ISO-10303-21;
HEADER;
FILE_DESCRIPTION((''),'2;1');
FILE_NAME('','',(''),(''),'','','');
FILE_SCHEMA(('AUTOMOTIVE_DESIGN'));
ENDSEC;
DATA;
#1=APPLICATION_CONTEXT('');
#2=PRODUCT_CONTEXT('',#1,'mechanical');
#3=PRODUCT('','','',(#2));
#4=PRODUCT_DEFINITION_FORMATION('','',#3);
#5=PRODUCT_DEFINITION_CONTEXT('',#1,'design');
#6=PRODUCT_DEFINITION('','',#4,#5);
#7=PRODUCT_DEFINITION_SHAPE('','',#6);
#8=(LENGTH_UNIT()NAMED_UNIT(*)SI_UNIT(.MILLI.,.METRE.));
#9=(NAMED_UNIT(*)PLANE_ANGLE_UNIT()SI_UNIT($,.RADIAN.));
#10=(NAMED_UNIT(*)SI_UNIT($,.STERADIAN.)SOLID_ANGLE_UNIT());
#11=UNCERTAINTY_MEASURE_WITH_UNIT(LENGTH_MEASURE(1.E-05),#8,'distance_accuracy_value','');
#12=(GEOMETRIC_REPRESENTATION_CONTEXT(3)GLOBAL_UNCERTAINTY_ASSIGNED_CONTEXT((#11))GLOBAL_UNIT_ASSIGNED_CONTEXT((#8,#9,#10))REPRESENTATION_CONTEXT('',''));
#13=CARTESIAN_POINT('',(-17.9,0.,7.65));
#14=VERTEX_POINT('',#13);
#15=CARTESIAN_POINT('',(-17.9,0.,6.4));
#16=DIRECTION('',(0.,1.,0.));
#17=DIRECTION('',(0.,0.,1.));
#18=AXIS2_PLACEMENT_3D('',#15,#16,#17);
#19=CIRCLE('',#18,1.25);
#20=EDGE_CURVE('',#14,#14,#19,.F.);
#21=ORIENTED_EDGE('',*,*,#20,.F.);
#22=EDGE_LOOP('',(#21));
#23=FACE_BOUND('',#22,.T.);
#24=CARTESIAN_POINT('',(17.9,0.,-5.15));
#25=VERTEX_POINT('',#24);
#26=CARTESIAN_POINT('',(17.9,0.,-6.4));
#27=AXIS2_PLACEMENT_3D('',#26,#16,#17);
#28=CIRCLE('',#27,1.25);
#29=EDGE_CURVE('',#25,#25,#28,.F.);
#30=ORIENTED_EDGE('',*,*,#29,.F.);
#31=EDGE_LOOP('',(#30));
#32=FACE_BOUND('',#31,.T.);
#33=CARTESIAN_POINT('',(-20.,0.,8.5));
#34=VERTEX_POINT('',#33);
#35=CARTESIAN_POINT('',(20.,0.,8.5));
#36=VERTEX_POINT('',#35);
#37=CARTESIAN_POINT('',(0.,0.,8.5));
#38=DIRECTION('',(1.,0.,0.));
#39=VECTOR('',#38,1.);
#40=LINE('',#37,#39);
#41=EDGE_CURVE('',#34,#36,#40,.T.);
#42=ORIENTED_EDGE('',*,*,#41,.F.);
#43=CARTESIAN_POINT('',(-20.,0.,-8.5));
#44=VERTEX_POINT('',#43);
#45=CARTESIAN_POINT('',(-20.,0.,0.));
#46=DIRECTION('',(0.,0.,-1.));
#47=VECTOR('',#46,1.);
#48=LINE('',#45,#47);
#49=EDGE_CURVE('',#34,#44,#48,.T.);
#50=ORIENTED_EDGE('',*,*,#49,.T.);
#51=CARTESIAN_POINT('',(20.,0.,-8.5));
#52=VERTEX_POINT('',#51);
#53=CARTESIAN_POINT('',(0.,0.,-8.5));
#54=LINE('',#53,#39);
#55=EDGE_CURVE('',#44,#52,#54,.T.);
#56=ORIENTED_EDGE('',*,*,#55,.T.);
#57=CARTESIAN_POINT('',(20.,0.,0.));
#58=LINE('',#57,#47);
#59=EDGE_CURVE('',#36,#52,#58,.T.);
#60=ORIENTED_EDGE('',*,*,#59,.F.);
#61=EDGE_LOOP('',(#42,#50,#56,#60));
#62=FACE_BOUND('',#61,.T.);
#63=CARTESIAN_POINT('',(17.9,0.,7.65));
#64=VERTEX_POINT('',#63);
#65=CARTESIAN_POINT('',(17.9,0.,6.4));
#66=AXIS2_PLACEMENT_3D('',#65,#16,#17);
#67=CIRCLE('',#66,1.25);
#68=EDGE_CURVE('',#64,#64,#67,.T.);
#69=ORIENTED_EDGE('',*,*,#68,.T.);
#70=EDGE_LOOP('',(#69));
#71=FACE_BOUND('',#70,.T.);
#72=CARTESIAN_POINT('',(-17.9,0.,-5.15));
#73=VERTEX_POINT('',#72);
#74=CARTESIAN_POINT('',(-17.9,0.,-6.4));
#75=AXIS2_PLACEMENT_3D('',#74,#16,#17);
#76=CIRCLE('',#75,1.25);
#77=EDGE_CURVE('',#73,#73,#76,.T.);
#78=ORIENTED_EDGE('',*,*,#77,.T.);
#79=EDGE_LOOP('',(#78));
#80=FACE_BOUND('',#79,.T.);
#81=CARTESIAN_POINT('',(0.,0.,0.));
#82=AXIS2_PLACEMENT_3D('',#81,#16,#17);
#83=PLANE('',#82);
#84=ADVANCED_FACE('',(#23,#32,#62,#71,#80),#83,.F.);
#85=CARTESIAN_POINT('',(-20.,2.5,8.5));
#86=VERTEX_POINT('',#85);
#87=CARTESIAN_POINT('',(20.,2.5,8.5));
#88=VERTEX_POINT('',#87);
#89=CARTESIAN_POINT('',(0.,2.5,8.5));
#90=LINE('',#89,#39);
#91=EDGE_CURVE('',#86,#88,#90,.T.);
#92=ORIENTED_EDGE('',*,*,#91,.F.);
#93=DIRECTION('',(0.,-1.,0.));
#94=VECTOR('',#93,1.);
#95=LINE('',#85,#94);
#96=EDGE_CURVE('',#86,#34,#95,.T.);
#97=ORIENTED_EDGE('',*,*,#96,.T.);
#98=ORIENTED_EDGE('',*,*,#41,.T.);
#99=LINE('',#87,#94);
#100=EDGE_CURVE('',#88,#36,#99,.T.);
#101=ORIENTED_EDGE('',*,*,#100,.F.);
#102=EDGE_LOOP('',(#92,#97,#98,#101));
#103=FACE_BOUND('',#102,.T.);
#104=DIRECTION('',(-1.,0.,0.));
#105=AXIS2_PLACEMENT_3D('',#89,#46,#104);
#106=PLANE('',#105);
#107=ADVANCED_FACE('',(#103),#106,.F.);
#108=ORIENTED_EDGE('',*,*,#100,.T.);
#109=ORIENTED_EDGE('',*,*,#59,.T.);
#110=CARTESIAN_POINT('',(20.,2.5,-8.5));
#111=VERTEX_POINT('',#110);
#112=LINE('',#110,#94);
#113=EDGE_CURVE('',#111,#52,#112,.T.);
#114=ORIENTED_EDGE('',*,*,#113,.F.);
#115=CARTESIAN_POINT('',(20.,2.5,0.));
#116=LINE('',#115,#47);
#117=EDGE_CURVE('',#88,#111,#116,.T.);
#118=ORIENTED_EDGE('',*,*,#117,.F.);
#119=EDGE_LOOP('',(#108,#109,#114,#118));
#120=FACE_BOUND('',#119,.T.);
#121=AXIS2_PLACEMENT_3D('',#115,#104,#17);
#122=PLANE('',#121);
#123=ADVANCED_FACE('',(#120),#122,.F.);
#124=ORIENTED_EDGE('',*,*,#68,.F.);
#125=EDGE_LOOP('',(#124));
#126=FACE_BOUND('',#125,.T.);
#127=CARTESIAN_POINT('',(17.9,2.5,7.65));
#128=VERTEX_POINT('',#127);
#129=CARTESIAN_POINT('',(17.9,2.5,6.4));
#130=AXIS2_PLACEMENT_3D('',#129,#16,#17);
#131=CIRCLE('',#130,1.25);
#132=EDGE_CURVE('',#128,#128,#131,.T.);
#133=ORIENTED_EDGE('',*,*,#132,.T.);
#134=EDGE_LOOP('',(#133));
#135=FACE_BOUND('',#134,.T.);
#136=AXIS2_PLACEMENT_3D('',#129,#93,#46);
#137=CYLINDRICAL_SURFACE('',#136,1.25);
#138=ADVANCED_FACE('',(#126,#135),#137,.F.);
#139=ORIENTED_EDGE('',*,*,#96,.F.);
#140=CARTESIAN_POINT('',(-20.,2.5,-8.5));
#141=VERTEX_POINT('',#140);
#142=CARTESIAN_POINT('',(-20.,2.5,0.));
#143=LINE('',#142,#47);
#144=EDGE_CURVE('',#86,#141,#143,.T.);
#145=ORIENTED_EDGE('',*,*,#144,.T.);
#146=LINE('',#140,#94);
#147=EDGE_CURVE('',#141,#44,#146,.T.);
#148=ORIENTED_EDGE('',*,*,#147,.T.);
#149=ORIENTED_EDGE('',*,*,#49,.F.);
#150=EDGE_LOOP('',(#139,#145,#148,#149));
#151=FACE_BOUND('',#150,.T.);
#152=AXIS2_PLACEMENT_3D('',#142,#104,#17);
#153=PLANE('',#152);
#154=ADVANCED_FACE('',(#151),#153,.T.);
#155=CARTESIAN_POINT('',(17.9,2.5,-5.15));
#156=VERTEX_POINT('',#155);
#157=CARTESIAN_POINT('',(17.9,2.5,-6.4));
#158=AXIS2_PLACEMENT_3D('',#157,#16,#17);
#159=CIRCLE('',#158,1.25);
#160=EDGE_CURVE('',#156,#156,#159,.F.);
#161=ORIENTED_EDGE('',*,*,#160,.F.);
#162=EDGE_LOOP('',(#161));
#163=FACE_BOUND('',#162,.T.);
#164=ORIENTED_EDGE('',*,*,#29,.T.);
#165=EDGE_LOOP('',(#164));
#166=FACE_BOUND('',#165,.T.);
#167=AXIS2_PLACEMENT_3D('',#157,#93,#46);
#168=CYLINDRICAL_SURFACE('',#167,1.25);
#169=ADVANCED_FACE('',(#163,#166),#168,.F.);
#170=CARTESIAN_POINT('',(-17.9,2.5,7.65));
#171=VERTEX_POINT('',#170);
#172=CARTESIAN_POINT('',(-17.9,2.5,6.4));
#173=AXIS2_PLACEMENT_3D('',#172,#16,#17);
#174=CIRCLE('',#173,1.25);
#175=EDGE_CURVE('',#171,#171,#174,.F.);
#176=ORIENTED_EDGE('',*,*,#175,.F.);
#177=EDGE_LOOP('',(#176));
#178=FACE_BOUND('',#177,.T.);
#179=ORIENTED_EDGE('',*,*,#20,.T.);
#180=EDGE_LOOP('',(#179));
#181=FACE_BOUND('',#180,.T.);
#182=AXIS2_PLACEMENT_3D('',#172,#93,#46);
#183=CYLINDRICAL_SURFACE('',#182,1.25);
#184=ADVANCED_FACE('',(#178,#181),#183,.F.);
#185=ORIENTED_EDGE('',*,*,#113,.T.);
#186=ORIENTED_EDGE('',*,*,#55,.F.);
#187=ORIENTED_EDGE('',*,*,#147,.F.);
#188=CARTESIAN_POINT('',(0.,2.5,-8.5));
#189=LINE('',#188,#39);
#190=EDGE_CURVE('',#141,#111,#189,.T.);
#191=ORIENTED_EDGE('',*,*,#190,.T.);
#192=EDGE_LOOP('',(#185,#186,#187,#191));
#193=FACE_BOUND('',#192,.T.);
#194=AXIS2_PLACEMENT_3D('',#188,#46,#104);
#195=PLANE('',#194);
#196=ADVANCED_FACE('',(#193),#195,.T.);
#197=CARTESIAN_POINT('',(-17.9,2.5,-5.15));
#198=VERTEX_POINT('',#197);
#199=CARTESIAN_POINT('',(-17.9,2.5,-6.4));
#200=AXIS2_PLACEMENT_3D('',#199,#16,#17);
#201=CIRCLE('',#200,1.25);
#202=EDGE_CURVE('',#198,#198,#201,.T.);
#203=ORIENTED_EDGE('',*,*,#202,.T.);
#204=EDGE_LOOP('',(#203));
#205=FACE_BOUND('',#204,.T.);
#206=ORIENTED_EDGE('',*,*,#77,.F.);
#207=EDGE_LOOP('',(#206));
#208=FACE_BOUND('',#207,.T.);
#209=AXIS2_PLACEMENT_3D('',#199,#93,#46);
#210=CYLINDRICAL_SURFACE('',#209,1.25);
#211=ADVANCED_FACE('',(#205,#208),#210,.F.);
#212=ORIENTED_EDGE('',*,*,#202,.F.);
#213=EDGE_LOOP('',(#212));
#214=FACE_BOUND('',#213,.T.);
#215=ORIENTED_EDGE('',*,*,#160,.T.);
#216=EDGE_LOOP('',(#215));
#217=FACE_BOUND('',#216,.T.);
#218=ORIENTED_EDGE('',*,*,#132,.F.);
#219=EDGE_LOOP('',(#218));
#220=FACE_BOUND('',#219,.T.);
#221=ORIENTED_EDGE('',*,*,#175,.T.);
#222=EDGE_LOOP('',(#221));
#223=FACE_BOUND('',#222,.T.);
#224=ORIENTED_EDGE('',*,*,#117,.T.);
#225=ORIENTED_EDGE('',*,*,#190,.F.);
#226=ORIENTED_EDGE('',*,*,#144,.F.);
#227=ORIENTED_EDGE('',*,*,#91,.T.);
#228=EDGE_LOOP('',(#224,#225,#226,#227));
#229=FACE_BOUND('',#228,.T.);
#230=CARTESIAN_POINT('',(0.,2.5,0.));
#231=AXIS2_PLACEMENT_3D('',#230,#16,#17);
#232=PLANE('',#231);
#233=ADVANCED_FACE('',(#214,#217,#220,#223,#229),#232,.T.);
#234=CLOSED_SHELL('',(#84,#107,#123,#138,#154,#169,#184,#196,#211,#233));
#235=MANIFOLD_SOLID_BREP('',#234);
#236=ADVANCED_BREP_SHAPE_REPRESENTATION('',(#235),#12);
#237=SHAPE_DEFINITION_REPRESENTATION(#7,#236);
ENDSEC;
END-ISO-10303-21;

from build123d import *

# Parameters (mm, degrees)
SKETCH1_W           = 4.2
SKETCH1_H           = 8.6
SKETCH1_H_2         = 4.2
SKETCH1_R           = 1.25
BOSS_EXTRUDE1_DEPTH = 2.5


with BuildPart() as part:
    # Sketch1 → Boss-Extrude1 (new body)
    # profile 1 of 7: a face of its own
    with BuildSketch(Plane(origin=(0, 0, 0), x_dir=(1, 0, 0), z_dir=(0, 1, 0))):
        Polygon((-15.8, 8.5), (-15.8, 4.3), (-15.8, -4.3), (-15.8, -8.5), (15.8, -8.5), (15.8, -4.3), (15.8, 4.3), (15.8, 8.5), align=None)
    # profile 2 of 7: a face of its own
    with BuildSketch(Plane(origin=(0, 0, 0), x_dir=(1, 0, 0), z_dir=(0, 1, 0))):
        with Locations((-17.9, 0)):
            Rectangle(SKETCH1_W, SKETCH1_H)
    # profile 3 of 7: a face of its own
    with BuildSketch(Plane(origin=(0, 0, 0), x_dir=(1, 0, 0), z_dir=(0, 1, 0))):
        with Locations((-17.9, -6.4)):
            Rectangle(SKETCH1_W, SKETCH1_H_2)
        with Locations(Location((-17.9, -6.4, 0), (0, 0, 270))):
            Circle(SKETCH1_R, mode=Mode.SUBTRACT)
    # profile 4 of 7: a face of its own
    with BuildSketch(Plane(origin=(0, 0, 0), x_dir=(1, 0, 0), z_dir=(0, 1, 0))):
        with Locations((17.9, 6.4)):
            Rectangle(SKETCH1_W, SKETCH1_H_2)
        with Locations(Location((17.9, 6.4, 0), (0, 0, 270))):
            Circle(SKETCH1_R, mode=Mode.SUBTRACT)
    # profile 5 of 7: a face of its own
    with BuildSketch(Plane(origin=(0, 0, 0), x_dir=(1, 0, 0), z_dir=(0, 1, 0))):
        with Locations((17.9, 0)):
            Rectangle(SKETCH1_W, SKETCH1_H)
    # profile 6 of 7: a face of its own
    with BuildSketch(Plane(origin=(0, 0, 0), x_dir=(1, 0, 0), z_dir=(0, 1, 0))):
        with Locations((17.9, -6.4)):
            Rectangle(SKETCH1_W, SKETCH1_H_2)
        with Locations(Location((17.9, -6.4, 0), (0, 0, 270))):
            Circle(SKETCH1_R, mode=Mode.SUBTRACT)
    # profile 7 of 7: a face of its own
    with BuildSketch(Plane(origin=(0, 0, 0), x_dir=(1, 0, 0), z_dir=(0, 1, 0))):
        with Locations((-17.9, 6.4)):
            Rectangle(SKETCH1_W, SKETCH1_H_2)
        with Locations(Location((-17.9, 6.4, 0), (0, 0, 270))):
            Circle(SKETCH1_R, mode=Mode.SUBTRACT)
    extrude(amount=BOSS_EXTRUDE1_DEPTH)


solid = part.part
